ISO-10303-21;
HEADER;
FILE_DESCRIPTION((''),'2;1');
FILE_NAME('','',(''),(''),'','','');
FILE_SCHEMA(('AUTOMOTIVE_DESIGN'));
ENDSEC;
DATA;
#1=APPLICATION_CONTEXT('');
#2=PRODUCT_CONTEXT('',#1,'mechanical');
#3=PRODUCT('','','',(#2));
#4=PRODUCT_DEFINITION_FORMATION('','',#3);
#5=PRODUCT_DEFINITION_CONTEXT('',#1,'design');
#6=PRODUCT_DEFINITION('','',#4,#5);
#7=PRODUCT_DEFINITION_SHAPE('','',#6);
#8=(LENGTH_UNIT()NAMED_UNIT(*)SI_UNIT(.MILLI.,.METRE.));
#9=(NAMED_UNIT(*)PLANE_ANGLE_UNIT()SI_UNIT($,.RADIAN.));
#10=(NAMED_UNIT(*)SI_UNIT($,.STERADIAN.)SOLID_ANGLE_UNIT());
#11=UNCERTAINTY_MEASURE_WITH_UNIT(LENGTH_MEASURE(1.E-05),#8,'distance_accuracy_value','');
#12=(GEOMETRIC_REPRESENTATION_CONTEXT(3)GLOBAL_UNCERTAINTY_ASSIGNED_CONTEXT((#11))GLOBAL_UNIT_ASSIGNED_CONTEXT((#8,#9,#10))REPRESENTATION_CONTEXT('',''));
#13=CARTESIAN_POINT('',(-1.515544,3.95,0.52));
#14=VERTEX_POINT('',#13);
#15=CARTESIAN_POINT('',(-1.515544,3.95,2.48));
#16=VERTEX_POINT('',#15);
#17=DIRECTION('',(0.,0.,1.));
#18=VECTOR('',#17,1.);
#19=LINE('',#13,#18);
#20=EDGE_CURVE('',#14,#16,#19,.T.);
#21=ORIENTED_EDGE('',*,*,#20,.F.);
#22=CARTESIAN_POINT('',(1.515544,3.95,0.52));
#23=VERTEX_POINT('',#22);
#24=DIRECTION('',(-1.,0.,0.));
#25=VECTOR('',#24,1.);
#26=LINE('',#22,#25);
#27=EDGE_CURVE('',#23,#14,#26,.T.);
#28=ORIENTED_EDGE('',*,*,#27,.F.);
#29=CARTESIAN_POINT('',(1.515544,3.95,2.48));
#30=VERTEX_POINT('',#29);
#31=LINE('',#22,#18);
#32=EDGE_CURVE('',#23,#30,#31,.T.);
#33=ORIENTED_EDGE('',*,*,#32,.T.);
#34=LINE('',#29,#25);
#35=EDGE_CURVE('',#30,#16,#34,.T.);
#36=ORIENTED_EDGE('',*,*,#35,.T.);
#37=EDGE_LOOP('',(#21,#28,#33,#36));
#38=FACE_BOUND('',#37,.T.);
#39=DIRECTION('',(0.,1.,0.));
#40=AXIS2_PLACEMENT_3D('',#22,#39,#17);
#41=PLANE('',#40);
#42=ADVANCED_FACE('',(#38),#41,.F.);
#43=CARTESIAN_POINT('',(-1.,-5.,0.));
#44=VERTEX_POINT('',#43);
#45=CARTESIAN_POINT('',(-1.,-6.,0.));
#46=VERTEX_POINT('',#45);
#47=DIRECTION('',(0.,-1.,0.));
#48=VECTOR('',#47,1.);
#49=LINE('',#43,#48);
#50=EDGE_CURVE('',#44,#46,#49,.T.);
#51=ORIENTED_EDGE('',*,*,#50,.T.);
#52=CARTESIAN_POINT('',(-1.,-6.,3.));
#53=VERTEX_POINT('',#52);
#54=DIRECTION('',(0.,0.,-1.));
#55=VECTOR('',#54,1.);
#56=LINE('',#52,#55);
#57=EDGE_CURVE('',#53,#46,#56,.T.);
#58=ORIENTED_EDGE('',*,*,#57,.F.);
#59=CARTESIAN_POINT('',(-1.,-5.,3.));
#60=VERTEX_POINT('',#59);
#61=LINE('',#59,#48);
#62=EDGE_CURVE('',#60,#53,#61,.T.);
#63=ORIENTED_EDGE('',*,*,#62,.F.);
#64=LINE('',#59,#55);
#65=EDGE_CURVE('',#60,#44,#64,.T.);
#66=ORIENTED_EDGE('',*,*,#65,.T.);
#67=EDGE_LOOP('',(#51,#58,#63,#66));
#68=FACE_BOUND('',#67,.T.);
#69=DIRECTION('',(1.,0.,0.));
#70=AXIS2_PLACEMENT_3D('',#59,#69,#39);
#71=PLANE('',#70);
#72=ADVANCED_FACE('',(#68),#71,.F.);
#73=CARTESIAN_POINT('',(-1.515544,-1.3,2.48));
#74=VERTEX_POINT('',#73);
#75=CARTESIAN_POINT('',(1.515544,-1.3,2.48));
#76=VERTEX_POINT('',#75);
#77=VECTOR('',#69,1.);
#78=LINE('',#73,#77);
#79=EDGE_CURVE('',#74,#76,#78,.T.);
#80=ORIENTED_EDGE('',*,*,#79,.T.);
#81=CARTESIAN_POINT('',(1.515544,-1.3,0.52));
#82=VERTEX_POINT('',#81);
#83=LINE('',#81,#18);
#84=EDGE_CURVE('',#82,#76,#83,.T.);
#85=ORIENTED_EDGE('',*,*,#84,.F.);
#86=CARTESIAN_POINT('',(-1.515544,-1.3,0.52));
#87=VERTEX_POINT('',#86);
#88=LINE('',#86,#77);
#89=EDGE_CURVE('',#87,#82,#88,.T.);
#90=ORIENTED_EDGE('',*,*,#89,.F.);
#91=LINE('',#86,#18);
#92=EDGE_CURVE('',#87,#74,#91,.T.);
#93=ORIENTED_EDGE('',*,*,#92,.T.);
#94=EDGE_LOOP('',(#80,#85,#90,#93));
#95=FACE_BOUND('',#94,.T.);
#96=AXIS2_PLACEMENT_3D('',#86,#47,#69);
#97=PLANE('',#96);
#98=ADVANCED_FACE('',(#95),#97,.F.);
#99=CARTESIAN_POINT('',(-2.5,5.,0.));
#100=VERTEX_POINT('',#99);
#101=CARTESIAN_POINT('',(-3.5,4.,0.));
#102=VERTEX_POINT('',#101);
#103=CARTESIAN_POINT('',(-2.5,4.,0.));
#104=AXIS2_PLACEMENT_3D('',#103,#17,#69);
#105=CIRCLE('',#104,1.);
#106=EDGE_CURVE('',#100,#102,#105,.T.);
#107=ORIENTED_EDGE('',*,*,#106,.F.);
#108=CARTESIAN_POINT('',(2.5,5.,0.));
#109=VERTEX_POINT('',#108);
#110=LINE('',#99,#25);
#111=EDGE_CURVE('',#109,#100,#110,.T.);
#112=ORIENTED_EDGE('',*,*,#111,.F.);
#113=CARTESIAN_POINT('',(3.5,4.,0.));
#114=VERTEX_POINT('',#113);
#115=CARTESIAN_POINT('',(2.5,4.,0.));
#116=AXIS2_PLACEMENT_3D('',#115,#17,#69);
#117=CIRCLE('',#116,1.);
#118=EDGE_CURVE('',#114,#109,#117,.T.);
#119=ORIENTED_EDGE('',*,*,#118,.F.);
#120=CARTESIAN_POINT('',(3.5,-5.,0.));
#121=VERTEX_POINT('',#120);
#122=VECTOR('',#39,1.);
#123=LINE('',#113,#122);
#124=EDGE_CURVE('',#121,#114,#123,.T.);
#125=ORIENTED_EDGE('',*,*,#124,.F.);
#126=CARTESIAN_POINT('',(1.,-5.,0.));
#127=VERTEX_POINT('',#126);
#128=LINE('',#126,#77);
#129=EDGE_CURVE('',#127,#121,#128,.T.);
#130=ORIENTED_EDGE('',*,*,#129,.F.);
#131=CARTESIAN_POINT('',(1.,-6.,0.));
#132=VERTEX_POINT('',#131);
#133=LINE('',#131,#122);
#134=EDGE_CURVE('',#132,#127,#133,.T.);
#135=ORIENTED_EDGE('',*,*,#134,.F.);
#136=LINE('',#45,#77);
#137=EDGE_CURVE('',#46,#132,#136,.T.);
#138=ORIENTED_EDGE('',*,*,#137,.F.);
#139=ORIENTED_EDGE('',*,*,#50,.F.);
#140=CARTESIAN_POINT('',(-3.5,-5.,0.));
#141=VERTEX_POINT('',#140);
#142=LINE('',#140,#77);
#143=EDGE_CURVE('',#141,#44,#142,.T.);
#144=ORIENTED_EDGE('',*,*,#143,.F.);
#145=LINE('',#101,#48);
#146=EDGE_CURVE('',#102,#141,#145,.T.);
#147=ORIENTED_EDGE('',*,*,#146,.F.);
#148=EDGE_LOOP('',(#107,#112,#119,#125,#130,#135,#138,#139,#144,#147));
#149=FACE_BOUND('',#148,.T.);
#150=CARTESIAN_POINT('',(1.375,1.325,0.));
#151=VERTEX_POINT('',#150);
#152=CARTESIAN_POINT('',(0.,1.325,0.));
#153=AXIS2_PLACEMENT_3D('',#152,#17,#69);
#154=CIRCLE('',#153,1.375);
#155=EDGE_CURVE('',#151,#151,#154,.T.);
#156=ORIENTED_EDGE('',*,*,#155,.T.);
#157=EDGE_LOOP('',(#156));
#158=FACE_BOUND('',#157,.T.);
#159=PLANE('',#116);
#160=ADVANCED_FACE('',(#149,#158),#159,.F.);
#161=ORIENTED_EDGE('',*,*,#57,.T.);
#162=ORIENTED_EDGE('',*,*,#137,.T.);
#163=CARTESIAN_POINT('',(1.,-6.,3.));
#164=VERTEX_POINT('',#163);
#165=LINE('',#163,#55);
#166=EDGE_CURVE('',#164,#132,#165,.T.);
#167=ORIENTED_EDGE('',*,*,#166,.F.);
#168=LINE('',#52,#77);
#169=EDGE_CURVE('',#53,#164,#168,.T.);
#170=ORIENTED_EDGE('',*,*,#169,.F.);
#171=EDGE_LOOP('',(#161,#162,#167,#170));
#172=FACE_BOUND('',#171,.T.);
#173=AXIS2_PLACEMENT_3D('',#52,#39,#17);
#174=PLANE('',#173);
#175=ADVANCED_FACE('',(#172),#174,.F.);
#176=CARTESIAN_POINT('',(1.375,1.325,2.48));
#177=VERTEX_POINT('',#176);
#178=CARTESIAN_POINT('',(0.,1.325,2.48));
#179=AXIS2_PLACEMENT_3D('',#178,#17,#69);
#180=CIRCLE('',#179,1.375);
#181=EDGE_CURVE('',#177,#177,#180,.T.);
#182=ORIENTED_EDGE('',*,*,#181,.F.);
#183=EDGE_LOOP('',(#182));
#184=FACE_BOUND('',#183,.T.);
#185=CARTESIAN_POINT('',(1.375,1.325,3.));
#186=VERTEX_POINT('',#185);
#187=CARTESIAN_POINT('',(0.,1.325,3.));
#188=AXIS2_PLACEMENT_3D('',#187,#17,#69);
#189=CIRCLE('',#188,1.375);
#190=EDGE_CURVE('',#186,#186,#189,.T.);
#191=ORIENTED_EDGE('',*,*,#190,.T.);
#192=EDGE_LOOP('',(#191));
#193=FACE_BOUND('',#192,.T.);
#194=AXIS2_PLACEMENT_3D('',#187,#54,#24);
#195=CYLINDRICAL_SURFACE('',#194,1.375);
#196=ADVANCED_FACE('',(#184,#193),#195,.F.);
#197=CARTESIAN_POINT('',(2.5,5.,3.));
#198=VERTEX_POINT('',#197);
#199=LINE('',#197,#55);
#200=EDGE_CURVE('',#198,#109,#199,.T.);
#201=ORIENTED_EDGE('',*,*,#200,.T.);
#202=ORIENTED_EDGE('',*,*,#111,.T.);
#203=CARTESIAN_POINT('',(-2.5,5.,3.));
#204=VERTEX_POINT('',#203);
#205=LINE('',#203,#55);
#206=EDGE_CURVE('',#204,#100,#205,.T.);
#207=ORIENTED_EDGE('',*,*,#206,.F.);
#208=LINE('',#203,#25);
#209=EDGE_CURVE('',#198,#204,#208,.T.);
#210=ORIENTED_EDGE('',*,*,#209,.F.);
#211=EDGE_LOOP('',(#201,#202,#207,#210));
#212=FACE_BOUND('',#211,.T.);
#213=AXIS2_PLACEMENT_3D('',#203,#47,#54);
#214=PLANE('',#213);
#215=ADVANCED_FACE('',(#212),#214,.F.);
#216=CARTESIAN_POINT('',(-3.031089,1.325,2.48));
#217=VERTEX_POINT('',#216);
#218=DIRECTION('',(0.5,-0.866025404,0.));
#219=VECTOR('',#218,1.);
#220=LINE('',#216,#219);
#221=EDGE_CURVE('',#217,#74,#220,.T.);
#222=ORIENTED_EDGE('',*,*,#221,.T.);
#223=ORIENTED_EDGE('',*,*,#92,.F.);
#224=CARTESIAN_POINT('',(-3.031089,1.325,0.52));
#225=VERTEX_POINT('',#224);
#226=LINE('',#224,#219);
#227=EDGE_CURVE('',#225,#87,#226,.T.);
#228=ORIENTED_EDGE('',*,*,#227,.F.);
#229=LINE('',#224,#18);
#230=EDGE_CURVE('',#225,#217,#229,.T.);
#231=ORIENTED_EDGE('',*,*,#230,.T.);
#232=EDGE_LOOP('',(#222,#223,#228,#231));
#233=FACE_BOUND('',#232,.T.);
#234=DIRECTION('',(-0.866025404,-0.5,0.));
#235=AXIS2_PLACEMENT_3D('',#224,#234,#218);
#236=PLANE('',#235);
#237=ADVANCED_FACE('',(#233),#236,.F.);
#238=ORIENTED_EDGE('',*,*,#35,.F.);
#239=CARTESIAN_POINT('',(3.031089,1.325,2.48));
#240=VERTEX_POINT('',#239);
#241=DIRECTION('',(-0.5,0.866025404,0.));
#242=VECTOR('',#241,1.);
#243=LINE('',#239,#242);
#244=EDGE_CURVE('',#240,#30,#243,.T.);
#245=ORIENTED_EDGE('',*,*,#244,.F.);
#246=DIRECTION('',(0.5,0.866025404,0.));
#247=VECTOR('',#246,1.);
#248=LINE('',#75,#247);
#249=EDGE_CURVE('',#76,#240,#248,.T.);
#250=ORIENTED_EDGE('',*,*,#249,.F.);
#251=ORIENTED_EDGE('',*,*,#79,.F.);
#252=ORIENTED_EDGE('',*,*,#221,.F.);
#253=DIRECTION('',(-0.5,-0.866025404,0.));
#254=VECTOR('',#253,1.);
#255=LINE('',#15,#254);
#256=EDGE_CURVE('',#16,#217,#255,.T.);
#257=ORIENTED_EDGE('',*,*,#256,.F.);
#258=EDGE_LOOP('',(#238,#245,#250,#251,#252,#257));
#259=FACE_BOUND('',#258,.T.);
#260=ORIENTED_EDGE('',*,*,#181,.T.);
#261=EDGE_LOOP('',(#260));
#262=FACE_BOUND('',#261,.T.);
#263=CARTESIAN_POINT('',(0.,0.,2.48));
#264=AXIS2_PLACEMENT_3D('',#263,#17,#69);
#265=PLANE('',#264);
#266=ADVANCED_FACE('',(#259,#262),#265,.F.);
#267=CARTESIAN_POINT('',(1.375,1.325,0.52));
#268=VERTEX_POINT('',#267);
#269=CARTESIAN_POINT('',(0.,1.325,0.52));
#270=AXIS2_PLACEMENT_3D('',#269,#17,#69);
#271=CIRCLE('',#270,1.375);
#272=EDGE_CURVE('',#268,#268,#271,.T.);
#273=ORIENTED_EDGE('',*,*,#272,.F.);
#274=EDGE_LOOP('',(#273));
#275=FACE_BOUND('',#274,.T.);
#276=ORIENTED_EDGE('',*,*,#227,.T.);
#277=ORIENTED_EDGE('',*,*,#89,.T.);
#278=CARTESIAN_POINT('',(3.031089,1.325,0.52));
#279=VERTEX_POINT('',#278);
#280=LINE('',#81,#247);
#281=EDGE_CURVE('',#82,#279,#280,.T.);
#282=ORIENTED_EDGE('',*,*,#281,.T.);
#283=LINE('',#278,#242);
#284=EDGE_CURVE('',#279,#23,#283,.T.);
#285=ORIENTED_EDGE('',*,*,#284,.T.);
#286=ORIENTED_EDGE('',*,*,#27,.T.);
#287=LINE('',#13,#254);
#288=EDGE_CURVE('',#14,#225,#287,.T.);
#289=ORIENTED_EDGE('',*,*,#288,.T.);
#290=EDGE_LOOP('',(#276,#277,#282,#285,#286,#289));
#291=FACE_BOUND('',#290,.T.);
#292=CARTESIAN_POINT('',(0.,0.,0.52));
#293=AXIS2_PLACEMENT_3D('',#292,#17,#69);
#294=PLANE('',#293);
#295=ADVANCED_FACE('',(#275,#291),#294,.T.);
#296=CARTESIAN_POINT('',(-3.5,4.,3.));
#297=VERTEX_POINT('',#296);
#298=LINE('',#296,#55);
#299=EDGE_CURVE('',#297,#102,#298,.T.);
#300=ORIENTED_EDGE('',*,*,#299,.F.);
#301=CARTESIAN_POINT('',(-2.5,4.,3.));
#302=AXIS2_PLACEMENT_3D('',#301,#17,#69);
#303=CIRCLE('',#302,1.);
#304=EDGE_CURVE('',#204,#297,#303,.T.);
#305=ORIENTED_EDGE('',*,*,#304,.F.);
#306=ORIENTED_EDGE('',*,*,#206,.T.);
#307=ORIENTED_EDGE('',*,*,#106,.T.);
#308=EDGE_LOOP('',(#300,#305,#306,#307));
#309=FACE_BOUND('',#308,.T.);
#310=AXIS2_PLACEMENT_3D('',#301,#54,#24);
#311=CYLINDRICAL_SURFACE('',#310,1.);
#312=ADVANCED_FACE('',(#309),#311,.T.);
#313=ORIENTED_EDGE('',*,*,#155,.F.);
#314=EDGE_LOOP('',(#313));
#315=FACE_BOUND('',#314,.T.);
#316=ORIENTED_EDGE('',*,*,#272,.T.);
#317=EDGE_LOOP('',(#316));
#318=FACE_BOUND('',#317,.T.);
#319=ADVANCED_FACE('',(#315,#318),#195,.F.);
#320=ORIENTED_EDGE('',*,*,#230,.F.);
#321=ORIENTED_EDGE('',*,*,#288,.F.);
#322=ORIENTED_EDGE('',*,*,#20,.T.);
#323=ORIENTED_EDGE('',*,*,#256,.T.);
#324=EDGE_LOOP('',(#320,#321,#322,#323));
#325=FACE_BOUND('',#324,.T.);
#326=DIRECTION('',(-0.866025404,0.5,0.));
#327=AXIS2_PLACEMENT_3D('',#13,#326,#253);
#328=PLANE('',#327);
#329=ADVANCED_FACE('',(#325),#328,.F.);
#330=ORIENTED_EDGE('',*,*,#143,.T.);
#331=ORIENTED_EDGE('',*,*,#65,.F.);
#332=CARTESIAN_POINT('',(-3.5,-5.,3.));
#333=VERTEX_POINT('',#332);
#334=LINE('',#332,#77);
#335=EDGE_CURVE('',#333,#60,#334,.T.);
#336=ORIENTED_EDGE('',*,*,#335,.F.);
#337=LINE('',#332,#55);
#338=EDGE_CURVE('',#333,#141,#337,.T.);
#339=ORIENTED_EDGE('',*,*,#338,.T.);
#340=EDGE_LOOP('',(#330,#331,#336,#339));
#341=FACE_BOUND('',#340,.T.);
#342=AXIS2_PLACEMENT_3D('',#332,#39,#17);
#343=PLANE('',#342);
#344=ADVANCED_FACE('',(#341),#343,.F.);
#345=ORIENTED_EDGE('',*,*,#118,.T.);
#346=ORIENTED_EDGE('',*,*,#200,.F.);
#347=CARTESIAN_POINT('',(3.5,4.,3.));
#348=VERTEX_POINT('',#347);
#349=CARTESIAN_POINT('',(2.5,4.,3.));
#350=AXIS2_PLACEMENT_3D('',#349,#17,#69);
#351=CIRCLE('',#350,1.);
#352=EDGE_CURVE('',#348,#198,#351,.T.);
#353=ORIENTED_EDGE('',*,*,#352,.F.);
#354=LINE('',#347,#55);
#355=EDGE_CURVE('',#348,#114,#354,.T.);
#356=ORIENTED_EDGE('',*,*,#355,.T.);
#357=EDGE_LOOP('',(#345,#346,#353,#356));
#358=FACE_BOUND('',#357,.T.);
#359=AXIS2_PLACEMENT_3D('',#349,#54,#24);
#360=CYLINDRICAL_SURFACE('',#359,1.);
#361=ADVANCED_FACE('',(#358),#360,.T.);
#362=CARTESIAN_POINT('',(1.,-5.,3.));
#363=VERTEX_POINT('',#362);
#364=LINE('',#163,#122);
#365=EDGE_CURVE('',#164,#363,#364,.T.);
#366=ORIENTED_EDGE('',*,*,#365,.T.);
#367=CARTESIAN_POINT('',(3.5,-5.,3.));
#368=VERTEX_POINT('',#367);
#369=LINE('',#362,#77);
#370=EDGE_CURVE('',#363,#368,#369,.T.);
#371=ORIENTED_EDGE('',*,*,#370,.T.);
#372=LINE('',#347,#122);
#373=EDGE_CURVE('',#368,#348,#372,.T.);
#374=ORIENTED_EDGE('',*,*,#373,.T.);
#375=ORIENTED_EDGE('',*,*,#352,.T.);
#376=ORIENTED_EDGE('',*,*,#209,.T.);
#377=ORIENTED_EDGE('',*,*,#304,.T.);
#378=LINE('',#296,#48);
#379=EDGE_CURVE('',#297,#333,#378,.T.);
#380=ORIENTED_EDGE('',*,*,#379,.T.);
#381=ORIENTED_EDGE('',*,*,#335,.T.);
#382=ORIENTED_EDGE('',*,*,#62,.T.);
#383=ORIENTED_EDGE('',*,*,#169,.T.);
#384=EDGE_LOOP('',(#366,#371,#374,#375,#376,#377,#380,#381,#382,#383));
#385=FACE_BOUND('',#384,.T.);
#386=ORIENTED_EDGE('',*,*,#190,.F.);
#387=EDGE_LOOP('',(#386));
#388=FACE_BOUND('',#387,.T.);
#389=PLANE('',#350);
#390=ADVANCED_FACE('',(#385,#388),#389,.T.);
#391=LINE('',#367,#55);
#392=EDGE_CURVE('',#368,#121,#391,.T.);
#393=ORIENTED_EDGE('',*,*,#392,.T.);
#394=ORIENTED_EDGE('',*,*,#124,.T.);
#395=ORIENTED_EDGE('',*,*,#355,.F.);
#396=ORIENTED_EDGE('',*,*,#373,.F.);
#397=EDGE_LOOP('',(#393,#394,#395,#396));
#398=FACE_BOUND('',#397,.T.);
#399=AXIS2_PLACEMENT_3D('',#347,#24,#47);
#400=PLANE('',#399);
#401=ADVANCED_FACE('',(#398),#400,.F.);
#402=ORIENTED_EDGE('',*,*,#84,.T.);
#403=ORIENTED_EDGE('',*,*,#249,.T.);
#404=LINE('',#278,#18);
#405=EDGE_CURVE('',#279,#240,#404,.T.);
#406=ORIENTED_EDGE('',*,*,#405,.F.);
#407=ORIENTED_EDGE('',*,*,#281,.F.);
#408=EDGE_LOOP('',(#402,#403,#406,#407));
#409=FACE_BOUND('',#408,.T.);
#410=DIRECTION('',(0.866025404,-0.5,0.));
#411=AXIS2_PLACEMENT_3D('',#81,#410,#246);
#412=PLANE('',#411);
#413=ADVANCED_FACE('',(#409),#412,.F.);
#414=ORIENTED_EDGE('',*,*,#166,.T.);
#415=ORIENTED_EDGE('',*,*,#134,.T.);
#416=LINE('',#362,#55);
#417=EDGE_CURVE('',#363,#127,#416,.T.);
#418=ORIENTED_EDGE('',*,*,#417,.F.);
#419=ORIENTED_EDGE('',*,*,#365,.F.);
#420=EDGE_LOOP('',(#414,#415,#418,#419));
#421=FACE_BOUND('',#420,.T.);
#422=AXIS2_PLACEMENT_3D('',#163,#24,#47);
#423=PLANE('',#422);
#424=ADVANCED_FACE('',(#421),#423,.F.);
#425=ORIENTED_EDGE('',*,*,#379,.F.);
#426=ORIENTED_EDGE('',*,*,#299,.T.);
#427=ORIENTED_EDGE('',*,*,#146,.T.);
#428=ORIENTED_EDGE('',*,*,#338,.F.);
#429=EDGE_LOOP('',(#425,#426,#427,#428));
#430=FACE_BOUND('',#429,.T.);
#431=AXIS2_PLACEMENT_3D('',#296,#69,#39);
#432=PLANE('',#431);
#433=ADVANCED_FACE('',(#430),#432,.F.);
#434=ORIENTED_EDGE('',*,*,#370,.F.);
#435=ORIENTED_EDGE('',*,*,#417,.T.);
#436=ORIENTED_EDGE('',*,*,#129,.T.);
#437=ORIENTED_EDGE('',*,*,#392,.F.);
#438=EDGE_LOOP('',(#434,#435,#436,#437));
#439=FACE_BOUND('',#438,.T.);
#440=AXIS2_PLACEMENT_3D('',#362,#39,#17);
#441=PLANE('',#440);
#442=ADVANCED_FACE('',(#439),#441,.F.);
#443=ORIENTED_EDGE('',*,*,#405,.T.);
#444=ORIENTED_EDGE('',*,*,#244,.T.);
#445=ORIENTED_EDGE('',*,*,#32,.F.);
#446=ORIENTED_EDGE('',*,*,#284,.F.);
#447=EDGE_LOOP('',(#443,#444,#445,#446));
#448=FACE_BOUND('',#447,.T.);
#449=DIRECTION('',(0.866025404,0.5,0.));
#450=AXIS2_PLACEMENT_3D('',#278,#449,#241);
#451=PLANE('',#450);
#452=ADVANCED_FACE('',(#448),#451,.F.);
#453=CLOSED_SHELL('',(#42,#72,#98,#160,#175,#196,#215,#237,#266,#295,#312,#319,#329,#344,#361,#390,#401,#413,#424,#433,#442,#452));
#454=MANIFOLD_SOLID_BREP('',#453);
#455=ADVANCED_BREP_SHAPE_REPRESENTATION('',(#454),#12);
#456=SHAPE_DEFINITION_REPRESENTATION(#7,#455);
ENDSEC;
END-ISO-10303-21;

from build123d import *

# Parameters (mm, degrees)
SKETCH1_R           = 1.375
BOSS_EXTRUDE1_DEPTH = 3
CUT_EXTRUDE1_DEPTH  = 0.98


with BuildPart() as part:
    # Sketch1 → Boss-Extrude1 (new body)
    with BuildSketch(Plane.XY):
        with BuildLine():
            Line((-1, -5), (-1, -6))
            Line((-1, -6), (1, -6))
            Line((1, -6), (1, -5))
            Line((1, -5), (3.5, -5))
            Line((3.5, -5), (3.5, 4))
            ThreePointArc((3.5, 4), (3.207106781, 4.707106781), (2.5, 5))
            Line((2.5, 5), (-2.5, 5))
            ThreePointArc((-2.5, 5), (-3.207106781, 4.707106781), (-3.5, 4))
            Line((-3.5, 4), (-3.5, -5))
            Line((-3.5, -5), (-1, -5))
        make_face()
        with Locations((0, 1.325)):
            Circle(SKETCH1_R, mode=Mode.SUBTRACT)
    extrude(amount=BOSS_EXTRUDE1_DEPTH)

    # Sketch2 → Cut-Extrude1 (cut, symmetric)
    with BuildSketch(Plane.XY.offset(1.5)):
        Polygon((3.031088913, 1.325), (1.515544457, 3.95), (-1.515544457, 3.95), (-3.031088913, 1.325), (-1.515544457, -1.3), (1.515544457, -1.3), align=None)
    extrude(amount=CUT_EXTRUDE1_DEPTH, both=True, mode=Mode.SUBTRACT)


solid = part.part
